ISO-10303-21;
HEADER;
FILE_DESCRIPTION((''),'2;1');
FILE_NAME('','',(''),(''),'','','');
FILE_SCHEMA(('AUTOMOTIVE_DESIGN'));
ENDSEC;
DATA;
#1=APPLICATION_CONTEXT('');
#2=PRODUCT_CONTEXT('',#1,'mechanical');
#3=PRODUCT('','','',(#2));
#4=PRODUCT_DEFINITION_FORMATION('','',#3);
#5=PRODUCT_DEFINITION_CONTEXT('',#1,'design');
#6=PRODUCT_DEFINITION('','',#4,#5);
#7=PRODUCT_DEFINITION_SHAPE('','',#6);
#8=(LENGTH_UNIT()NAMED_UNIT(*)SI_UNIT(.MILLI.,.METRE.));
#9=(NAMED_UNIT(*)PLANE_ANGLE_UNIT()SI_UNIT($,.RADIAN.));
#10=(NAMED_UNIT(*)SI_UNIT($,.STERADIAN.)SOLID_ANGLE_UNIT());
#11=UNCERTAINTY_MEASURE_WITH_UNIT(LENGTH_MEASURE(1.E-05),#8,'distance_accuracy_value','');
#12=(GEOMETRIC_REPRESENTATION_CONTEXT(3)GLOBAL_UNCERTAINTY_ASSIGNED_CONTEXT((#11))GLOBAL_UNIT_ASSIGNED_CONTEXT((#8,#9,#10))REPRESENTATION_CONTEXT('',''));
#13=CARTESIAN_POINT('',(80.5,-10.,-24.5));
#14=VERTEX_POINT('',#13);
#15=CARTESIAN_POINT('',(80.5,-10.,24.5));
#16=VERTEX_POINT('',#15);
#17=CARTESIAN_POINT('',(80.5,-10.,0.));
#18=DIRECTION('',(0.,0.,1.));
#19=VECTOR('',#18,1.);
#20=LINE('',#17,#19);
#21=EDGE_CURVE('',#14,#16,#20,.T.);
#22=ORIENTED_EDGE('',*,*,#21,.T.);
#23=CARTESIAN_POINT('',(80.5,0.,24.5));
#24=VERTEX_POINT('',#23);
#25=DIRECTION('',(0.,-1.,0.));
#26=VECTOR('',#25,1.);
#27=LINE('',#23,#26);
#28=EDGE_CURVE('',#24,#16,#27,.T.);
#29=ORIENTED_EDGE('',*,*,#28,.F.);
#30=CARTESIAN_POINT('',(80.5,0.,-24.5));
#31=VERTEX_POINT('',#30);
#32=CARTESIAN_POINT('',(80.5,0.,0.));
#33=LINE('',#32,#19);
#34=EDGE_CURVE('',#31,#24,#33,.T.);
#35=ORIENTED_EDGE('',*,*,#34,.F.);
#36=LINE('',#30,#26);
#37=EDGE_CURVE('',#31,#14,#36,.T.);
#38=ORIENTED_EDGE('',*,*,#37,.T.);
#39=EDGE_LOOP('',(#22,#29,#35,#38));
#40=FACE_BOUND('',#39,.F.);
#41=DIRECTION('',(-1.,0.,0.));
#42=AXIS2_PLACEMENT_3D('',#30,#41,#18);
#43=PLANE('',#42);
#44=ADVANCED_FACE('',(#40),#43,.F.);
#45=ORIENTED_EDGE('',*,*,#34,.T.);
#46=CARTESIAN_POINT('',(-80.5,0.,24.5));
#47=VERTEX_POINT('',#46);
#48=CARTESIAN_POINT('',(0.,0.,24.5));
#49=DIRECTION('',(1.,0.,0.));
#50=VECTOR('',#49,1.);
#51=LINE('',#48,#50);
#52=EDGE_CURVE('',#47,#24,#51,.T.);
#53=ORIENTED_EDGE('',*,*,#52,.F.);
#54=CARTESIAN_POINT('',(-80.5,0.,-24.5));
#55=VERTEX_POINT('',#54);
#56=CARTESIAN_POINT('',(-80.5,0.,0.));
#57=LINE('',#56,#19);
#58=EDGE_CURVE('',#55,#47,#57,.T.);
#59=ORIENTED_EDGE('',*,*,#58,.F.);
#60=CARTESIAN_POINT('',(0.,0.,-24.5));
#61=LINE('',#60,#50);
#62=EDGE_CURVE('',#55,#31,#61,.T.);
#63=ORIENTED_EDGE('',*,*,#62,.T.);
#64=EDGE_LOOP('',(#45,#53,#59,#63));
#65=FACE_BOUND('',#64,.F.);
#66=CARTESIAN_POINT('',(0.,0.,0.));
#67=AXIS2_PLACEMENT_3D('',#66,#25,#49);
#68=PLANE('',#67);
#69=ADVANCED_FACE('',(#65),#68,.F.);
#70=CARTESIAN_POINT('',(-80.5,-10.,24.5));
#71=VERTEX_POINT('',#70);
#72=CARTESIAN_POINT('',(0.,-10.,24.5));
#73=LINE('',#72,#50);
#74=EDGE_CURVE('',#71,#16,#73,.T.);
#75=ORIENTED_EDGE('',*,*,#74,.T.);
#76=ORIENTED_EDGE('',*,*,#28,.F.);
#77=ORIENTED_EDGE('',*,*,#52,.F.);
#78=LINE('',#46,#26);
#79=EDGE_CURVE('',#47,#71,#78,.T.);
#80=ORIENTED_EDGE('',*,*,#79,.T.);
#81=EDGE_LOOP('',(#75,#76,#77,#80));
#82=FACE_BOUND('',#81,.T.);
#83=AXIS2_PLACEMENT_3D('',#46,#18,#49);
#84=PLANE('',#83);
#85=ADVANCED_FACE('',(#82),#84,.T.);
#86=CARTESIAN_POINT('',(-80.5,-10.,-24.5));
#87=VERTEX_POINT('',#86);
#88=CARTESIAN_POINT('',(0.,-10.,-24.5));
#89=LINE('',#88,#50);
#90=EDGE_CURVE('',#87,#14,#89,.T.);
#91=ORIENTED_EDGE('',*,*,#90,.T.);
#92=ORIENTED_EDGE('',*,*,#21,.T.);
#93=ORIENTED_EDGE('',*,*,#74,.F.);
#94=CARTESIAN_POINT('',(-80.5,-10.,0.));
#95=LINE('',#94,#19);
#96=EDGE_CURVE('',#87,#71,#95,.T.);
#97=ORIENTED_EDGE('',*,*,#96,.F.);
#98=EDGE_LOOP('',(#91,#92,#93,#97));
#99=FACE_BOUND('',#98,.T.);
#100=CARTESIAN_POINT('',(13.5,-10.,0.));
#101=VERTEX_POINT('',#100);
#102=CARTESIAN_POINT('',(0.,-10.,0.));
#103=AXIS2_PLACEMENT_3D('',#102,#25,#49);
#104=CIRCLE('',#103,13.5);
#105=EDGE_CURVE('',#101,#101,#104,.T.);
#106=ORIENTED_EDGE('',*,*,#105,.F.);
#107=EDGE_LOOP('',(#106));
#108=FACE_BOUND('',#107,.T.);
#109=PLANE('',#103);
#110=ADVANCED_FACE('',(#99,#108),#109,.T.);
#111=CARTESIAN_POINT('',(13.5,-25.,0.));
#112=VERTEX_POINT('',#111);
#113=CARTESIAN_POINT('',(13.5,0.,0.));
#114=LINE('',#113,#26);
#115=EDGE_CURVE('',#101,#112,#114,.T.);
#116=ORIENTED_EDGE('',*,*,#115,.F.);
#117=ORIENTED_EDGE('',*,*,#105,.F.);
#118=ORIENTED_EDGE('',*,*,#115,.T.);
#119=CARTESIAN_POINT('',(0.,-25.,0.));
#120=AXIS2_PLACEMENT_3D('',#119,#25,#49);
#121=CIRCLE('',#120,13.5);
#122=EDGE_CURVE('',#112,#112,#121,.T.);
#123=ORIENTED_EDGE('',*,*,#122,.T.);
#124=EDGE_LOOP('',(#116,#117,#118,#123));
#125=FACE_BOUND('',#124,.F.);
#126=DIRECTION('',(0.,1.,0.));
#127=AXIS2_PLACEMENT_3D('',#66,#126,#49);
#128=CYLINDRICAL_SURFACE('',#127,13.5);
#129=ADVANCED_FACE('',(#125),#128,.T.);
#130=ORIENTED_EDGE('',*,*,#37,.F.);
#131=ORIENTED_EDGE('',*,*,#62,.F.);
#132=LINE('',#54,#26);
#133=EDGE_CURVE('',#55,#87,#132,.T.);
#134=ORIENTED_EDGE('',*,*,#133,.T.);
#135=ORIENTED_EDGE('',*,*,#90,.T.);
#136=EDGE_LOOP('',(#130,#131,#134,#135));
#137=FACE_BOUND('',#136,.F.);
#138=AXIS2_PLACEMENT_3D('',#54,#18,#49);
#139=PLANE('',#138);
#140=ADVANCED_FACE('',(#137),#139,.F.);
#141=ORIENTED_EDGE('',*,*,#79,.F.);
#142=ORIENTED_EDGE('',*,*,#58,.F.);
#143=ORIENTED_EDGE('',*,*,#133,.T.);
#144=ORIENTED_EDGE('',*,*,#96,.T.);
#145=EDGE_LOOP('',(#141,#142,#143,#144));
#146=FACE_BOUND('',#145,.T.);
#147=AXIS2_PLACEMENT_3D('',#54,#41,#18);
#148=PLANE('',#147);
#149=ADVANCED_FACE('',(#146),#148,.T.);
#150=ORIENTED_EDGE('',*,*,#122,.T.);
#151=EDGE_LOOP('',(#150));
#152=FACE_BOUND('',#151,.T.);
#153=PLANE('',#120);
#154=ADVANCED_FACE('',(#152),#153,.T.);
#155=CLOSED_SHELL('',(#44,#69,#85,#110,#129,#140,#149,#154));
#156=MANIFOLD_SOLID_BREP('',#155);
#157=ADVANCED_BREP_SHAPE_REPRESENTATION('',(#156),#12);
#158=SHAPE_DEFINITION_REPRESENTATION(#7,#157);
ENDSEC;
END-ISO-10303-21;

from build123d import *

# Parameters (mm, degrees)
F0_R     = 13.5
F1_DEPTH = 25
F0_W     = 161
F0_H     = 49
F2_DEPTH = 10


with BuildPart() as f1:
    # F0 (on Front) → F1 (new body)
    with BuildSketch(Plane.XZ):
        Circle(F0_R)
    extrude(amount=F1_DEPTH)

    # F0 (on Front) → F2 (join)
    with BuildSketch(Plane.XZ):
        Rectangle(F0_W, F0_H)
        Circle(F0_R, mode=Mode.SUBTRACT)
    extrude(amount=F2_DEPTH)


solid = f1.part
